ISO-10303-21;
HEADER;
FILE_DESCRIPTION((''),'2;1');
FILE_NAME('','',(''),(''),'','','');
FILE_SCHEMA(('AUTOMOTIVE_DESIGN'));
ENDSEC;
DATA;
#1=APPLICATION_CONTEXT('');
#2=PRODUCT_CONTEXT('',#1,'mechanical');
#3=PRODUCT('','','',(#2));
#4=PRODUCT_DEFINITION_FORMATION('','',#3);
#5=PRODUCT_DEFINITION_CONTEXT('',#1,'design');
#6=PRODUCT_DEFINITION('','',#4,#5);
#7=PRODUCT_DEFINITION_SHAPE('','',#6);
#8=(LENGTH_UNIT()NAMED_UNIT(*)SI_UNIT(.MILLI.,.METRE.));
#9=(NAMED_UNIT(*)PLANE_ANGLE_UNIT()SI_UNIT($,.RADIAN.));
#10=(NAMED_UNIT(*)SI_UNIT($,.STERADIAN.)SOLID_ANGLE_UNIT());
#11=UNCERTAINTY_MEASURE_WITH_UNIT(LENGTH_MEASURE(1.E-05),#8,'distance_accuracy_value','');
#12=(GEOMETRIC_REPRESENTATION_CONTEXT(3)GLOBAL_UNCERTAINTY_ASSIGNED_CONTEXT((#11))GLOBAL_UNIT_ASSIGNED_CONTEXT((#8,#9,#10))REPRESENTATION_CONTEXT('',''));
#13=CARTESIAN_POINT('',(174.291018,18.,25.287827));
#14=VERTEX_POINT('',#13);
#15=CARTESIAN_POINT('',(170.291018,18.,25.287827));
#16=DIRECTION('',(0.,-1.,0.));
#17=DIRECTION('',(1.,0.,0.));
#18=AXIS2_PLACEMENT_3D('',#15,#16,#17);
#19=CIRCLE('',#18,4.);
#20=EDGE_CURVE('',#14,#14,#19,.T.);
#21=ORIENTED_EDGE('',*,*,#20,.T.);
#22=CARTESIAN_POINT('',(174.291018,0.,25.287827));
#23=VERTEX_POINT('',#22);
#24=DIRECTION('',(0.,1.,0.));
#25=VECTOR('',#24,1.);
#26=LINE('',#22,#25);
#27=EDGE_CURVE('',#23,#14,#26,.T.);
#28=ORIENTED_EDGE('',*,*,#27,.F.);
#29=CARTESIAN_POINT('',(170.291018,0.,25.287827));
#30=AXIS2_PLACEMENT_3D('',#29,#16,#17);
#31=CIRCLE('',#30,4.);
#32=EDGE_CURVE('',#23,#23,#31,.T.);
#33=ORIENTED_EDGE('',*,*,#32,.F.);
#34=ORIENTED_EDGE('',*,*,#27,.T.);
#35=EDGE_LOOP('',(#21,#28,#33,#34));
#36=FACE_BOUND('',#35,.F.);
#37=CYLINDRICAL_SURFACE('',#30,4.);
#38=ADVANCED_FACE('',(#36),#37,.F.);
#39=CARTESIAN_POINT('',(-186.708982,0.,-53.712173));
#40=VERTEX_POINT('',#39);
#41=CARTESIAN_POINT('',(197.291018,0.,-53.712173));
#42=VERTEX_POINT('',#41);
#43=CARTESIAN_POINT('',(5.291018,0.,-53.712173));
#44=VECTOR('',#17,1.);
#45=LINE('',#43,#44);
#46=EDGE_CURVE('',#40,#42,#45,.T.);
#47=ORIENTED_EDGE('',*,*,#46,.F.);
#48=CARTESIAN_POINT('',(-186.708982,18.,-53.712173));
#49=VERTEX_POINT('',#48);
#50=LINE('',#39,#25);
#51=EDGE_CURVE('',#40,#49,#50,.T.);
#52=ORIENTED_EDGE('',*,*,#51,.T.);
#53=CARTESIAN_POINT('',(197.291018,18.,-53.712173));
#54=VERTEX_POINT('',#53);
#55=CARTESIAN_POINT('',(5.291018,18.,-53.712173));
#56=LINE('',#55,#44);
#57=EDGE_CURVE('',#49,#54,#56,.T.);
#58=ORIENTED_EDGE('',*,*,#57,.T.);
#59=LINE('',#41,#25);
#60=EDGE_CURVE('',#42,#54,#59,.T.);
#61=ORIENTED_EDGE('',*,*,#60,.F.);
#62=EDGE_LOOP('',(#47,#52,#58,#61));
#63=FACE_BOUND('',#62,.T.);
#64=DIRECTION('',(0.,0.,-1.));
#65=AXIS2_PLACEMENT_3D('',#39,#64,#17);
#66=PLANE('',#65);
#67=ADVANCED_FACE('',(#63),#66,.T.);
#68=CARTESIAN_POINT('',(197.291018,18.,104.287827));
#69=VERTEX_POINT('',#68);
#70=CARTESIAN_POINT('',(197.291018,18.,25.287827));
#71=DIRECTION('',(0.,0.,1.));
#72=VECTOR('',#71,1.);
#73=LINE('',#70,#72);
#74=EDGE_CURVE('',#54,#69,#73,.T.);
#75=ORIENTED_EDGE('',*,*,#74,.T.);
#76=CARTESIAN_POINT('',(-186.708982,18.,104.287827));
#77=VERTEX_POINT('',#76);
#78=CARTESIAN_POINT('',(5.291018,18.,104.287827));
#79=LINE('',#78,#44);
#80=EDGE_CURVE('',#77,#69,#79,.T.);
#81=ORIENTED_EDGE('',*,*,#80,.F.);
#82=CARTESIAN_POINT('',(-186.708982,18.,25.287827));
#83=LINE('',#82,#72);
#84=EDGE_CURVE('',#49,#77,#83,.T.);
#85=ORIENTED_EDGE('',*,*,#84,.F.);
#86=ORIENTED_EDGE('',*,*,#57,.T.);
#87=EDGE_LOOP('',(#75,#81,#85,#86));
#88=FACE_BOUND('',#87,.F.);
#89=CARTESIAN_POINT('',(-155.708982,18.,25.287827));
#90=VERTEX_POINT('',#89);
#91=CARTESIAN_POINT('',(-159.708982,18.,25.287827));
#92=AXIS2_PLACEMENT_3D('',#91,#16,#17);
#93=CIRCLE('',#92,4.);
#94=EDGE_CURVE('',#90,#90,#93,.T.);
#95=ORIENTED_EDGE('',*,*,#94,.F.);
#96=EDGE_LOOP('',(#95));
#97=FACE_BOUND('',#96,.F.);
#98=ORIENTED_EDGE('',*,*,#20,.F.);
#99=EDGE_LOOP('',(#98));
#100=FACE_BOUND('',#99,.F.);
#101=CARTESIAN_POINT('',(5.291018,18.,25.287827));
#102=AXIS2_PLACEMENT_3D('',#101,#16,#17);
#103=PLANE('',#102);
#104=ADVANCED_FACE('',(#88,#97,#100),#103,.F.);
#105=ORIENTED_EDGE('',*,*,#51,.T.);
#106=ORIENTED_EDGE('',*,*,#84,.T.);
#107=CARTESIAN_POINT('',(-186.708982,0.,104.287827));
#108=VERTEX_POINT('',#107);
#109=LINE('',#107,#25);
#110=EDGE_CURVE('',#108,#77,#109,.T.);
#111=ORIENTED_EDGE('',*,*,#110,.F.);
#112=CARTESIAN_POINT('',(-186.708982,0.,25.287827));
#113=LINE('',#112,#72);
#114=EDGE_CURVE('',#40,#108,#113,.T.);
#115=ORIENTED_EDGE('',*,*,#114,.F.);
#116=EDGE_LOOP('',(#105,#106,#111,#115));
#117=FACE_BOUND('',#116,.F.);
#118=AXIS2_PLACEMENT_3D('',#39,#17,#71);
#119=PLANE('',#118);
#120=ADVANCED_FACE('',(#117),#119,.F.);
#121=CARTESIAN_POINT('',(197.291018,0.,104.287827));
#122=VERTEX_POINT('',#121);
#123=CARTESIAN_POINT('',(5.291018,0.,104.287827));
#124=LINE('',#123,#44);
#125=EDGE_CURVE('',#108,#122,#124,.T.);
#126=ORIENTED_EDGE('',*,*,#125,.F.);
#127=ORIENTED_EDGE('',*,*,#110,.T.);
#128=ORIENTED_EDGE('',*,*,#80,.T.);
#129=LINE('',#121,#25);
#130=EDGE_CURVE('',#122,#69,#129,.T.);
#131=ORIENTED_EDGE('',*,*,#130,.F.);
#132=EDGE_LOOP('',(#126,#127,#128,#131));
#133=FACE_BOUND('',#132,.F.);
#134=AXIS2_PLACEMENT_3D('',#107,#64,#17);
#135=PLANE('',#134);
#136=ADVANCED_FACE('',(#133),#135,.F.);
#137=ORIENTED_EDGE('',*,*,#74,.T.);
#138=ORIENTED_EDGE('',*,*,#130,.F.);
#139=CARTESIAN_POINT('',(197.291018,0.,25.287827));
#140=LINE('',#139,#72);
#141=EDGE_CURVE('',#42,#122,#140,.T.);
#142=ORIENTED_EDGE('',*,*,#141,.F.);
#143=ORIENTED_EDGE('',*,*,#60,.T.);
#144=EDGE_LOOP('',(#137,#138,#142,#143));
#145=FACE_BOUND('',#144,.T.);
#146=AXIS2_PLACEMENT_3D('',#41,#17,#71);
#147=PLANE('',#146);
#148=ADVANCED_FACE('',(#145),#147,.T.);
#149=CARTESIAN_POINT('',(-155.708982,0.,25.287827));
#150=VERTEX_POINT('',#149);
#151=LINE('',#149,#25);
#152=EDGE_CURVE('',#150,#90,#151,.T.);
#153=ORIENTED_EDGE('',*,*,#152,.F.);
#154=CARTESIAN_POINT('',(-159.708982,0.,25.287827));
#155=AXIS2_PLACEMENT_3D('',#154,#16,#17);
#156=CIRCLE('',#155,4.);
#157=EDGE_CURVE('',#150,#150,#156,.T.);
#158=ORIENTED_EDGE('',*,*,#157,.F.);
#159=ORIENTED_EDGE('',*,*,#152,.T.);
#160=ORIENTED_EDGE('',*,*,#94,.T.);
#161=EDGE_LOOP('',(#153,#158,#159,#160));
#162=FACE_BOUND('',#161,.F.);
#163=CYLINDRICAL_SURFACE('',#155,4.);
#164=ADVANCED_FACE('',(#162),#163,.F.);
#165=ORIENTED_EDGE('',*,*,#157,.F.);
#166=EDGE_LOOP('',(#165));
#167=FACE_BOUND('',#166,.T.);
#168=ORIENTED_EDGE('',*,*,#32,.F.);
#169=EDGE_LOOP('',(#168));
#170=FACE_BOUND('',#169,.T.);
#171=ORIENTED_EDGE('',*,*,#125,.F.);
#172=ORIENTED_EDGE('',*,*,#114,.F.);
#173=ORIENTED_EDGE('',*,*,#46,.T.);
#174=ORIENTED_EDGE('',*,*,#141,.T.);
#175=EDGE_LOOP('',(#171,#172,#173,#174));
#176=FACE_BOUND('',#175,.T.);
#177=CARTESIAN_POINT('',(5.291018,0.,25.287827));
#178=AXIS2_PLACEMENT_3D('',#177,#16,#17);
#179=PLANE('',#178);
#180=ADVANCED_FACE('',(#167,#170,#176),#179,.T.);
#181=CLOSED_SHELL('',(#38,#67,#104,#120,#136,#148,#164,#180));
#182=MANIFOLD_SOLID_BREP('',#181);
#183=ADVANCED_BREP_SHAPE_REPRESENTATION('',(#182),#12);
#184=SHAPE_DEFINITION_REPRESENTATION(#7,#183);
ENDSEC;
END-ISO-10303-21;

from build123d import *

# Parameters (mm, degrees)
F0_W     = 384
F0_H     = 158
F0_R     = 4
F1_DEPTH = 18


with BuildPart() as f1:
    # F0 (on Front) → F1 (new body)
    with BuildSketch(Plane.XZ):
        with Locations((5.291018, 25.287827)):
            Rectangle(F0_W, F0_H)
        with Locations((-159.708982, 25.287827)):
            Circle(F0_R, mode=Mode.SUBTRACT)
        with Locations((170.291018, 25.287827)):
            Circle(F0_R, mode=Mode.SUBTRACT)
    extrude(amount=-F1_DEPTH)


solid = f1.part
